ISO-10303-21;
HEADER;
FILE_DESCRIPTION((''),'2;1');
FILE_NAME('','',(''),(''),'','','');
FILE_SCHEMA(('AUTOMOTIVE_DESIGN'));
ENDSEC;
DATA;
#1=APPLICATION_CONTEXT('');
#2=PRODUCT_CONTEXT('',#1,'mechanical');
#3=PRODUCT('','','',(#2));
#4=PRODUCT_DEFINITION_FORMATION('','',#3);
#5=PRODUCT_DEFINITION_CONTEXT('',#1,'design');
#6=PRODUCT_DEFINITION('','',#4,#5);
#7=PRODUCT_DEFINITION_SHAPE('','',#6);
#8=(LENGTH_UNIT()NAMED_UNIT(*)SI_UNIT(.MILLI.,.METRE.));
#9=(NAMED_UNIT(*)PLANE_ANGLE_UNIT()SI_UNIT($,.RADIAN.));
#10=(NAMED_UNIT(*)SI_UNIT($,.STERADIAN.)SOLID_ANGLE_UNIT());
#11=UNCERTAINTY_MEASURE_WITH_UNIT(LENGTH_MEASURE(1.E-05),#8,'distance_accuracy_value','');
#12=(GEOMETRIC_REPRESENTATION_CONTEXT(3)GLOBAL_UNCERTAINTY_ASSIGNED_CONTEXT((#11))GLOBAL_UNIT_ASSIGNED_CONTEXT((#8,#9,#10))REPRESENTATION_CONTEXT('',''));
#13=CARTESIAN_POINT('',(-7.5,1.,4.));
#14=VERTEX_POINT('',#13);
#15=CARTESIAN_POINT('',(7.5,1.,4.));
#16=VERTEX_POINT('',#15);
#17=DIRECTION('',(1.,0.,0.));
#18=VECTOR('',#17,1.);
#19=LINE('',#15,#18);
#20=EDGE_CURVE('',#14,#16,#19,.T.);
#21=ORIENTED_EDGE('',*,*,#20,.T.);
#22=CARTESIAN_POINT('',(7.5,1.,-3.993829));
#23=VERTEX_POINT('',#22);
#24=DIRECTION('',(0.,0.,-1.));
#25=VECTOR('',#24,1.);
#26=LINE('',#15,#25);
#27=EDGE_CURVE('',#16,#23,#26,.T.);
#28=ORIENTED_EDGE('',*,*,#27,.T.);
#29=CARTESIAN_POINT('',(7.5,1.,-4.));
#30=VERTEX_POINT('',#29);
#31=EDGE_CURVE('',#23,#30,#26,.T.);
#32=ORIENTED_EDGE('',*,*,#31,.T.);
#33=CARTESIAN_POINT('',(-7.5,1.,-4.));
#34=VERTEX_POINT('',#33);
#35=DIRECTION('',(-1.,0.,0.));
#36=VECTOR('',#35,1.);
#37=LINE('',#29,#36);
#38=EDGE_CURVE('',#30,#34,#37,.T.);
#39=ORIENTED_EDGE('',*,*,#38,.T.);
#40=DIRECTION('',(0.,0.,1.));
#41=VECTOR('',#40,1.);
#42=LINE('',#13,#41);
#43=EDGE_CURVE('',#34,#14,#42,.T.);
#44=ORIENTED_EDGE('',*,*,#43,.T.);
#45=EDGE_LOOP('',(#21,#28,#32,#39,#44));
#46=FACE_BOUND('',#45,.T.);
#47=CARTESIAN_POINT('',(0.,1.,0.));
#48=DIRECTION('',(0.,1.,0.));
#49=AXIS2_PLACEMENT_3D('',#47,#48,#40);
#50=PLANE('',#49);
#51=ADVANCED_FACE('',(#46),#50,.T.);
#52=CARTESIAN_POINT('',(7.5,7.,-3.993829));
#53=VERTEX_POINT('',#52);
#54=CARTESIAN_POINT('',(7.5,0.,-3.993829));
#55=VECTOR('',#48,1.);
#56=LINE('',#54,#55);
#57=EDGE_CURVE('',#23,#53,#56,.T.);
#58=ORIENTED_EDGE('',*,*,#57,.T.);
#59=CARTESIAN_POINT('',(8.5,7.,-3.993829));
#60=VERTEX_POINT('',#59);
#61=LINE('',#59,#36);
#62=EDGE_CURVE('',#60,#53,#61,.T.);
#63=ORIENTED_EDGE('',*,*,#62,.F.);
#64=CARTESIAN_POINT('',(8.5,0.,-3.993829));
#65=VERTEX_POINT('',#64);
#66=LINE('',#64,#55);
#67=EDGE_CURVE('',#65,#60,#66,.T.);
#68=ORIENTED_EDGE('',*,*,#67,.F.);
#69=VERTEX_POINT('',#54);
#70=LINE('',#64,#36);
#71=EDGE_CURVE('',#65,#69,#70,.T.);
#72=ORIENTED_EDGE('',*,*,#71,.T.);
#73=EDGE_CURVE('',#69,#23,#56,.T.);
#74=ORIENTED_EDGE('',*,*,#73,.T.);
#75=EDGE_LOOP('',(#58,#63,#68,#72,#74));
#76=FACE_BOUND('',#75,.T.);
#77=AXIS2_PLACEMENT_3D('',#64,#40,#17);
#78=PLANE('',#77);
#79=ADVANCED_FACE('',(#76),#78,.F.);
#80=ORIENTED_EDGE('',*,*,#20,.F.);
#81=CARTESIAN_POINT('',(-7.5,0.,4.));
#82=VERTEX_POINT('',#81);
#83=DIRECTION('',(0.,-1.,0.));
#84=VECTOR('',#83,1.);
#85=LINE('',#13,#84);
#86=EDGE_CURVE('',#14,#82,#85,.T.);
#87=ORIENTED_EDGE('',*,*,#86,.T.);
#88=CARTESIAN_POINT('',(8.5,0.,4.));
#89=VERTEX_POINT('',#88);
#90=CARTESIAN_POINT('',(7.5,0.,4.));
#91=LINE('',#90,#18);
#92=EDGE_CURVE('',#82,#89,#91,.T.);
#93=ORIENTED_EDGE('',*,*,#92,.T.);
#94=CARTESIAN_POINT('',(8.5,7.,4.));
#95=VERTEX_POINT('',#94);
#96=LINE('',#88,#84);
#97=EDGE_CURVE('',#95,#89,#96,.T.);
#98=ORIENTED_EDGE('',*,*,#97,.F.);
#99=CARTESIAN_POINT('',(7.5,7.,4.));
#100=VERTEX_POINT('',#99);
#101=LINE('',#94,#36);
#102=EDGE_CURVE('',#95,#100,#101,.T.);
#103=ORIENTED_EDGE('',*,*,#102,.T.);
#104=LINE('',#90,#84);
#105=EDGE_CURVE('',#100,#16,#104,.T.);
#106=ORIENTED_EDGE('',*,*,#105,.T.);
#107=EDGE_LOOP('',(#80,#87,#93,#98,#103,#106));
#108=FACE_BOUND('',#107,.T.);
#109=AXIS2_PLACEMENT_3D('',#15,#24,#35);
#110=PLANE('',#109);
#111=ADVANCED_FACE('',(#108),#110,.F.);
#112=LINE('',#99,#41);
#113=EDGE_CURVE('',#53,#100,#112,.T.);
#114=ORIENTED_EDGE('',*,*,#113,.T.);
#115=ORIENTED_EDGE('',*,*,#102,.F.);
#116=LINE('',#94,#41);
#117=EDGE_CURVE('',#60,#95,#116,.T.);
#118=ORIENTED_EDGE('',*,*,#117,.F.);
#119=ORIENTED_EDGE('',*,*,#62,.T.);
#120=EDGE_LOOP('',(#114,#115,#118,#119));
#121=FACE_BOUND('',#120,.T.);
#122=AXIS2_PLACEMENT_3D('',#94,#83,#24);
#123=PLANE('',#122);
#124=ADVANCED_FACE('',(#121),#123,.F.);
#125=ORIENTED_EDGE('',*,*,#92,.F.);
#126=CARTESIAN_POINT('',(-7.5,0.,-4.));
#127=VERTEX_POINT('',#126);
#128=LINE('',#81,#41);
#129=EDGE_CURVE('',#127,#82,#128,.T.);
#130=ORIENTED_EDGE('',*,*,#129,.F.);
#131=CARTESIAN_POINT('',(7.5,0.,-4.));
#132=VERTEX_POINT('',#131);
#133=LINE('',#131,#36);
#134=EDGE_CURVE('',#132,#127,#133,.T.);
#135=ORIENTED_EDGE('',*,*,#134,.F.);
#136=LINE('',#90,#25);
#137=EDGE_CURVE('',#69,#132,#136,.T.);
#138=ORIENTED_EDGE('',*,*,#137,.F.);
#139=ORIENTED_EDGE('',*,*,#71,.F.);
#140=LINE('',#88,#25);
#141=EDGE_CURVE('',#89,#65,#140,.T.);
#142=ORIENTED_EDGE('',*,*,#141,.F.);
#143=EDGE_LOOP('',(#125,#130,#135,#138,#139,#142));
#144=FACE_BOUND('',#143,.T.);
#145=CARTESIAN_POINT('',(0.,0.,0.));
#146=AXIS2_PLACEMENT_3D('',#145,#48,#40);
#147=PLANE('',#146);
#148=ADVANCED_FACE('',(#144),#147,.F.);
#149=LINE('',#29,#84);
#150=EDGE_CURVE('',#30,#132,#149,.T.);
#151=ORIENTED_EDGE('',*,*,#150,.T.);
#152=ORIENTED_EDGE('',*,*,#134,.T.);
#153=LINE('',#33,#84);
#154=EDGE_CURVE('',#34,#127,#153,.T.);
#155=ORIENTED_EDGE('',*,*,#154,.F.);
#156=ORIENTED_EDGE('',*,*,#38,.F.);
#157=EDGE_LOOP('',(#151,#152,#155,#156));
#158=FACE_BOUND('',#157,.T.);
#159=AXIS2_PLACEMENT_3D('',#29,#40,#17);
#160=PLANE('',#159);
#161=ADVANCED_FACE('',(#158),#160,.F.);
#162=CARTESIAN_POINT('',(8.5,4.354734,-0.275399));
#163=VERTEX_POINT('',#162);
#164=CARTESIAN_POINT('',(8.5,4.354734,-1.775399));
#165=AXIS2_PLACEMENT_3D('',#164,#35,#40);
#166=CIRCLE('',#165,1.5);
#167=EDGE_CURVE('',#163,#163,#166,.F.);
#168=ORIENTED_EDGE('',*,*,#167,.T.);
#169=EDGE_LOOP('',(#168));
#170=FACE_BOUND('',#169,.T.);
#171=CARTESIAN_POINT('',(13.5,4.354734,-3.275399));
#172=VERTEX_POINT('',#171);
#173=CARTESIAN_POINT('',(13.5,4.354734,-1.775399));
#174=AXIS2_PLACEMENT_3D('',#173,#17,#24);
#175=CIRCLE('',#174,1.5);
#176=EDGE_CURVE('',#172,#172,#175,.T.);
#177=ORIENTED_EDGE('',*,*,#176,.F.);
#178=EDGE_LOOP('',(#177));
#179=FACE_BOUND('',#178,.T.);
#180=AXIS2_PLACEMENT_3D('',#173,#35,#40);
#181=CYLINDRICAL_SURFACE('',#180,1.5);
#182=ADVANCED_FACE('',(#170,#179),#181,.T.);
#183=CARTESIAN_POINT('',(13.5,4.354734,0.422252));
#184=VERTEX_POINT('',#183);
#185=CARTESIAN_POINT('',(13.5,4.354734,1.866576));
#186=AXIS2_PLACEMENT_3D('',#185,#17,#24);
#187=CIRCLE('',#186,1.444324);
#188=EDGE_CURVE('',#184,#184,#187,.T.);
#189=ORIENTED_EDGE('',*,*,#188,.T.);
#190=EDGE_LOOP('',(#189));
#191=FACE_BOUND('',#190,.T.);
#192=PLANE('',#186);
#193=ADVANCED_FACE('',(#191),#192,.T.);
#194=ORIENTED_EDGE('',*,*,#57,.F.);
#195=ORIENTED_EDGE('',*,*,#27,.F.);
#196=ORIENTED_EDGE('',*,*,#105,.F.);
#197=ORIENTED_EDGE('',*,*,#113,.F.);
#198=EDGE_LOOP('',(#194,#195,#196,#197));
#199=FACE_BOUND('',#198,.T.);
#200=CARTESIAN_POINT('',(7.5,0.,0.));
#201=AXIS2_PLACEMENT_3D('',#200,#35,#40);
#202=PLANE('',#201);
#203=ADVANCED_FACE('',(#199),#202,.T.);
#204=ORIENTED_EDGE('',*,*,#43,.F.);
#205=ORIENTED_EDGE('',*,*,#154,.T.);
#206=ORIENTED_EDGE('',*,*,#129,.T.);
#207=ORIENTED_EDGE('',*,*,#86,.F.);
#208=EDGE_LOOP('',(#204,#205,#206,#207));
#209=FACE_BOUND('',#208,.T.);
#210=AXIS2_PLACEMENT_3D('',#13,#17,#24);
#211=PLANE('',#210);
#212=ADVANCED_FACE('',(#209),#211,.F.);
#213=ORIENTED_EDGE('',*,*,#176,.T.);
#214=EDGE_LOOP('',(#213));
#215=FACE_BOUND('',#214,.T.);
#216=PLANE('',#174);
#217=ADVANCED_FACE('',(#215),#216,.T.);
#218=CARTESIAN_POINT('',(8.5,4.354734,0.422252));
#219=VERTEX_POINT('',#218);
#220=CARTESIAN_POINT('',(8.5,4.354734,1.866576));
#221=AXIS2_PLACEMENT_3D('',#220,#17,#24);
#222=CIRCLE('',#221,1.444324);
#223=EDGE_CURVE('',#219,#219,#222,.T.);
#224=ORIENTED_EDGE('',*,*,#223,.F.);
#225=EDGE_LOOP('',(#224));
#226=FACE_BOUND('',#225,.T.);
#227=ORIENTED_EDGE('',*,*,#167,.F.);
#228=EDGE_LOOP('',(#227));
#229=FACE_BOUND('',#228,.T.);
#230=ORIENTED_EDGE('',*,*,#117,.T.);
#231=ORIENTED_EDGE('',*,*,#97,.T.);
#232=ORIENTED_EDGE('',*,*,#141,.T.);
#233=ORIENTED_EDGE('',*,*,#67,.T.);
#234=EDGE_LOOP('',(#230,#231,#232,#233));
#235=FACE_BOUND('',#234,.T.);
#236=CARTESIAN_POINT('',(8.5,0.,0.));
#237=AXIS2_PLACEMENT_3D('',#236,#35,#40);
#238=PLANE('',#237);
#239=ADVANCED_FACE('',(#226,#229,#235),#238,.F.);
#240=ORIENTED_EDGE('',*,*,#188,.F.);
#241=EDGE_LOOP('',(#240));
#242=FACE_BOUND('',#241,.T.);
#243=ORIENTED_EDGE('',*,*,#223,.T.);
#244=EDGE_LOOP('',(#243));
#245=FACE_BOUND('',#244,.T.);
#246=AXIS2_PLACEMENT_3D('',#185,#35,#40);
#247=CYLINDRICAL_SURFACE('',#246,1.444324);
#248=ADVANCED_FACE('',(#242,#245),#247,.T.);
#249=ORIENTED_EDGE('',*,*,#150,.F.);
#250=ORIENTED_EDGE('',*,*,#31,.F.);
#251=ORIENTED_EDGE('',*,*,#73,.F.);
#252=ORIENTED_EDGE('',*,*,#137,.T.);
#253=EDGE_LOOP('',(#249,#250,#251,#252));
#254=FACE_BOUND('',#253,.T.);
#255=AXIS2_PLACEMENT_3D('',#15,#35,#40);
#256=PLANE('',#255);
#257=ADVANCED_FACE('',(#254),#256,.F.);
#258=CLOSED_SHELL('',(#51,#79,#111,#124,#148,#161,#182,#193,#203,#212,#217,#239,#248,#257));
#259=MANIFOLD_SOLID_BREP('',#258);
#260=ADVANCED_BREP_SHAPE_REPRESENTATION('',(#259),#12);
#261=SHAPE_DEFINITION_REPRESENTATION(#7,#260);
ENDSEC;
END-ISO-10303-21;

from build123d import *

# Parameters (mm, degrees)
SKETCH1_W           = 15
SKETCH1_H           = 8
BOSS_EXTRUDE1_DEPTH = 1
SKETCH2_W           = 7.993829057
SKETCH2_H           = 7
BOSS_EXTRUDE2_DEPTH = 1
SKETCH3_R           = 1.444324147
SKETCH3_R_2         = 1.5
BOSS_EXTRUDE3_DEPTH = 5


with BuildPart() as part:
    # Sketch1 → Boss-Extrude1 (new body)
    with BuildSketch(Plane(origin=(0, 0, 0), x_dir=(1, 0, 0), z_dir=(0, 1, 0))):
        Rectangle(SKETCH1_W, SKETCH1_H)
    extrude(amount=BOSS_EXTRUDE1_DEPTH)

    # Sketch2 → Boss-Extrude2 (add)
    with BuildSketch(Plane(origin=(7.5, 0, 0), x_dir=(0, 0, -1), z_dir=(1, 0, 0))):
        with Locations((-0.003085471, 3.5)):
            Rectangle(SKETCH2_W, SKETCH2_H)
    extrude(amount=BOSS_EXTRUDE2_DEPTH)

    # Sketch3 → Boss-Extrude3 (add)
    with BuildSketch(Plane(origin=(8.5, 0, 0), x_dir=(0, 0, -1), z_dir=(1, 0, 0))):
        with Locations((-1.866576137, 4.354733514)):
            Circle(SKETCH3_R)
        with Locations(Location((1.775399333, 4.354733514, 0), (0, 0, 180))):
            Circle(SKETCH3_R_2)
    extrude(amount=BOSS_EXTRUDE3_DEPTH)


solid = part.part
